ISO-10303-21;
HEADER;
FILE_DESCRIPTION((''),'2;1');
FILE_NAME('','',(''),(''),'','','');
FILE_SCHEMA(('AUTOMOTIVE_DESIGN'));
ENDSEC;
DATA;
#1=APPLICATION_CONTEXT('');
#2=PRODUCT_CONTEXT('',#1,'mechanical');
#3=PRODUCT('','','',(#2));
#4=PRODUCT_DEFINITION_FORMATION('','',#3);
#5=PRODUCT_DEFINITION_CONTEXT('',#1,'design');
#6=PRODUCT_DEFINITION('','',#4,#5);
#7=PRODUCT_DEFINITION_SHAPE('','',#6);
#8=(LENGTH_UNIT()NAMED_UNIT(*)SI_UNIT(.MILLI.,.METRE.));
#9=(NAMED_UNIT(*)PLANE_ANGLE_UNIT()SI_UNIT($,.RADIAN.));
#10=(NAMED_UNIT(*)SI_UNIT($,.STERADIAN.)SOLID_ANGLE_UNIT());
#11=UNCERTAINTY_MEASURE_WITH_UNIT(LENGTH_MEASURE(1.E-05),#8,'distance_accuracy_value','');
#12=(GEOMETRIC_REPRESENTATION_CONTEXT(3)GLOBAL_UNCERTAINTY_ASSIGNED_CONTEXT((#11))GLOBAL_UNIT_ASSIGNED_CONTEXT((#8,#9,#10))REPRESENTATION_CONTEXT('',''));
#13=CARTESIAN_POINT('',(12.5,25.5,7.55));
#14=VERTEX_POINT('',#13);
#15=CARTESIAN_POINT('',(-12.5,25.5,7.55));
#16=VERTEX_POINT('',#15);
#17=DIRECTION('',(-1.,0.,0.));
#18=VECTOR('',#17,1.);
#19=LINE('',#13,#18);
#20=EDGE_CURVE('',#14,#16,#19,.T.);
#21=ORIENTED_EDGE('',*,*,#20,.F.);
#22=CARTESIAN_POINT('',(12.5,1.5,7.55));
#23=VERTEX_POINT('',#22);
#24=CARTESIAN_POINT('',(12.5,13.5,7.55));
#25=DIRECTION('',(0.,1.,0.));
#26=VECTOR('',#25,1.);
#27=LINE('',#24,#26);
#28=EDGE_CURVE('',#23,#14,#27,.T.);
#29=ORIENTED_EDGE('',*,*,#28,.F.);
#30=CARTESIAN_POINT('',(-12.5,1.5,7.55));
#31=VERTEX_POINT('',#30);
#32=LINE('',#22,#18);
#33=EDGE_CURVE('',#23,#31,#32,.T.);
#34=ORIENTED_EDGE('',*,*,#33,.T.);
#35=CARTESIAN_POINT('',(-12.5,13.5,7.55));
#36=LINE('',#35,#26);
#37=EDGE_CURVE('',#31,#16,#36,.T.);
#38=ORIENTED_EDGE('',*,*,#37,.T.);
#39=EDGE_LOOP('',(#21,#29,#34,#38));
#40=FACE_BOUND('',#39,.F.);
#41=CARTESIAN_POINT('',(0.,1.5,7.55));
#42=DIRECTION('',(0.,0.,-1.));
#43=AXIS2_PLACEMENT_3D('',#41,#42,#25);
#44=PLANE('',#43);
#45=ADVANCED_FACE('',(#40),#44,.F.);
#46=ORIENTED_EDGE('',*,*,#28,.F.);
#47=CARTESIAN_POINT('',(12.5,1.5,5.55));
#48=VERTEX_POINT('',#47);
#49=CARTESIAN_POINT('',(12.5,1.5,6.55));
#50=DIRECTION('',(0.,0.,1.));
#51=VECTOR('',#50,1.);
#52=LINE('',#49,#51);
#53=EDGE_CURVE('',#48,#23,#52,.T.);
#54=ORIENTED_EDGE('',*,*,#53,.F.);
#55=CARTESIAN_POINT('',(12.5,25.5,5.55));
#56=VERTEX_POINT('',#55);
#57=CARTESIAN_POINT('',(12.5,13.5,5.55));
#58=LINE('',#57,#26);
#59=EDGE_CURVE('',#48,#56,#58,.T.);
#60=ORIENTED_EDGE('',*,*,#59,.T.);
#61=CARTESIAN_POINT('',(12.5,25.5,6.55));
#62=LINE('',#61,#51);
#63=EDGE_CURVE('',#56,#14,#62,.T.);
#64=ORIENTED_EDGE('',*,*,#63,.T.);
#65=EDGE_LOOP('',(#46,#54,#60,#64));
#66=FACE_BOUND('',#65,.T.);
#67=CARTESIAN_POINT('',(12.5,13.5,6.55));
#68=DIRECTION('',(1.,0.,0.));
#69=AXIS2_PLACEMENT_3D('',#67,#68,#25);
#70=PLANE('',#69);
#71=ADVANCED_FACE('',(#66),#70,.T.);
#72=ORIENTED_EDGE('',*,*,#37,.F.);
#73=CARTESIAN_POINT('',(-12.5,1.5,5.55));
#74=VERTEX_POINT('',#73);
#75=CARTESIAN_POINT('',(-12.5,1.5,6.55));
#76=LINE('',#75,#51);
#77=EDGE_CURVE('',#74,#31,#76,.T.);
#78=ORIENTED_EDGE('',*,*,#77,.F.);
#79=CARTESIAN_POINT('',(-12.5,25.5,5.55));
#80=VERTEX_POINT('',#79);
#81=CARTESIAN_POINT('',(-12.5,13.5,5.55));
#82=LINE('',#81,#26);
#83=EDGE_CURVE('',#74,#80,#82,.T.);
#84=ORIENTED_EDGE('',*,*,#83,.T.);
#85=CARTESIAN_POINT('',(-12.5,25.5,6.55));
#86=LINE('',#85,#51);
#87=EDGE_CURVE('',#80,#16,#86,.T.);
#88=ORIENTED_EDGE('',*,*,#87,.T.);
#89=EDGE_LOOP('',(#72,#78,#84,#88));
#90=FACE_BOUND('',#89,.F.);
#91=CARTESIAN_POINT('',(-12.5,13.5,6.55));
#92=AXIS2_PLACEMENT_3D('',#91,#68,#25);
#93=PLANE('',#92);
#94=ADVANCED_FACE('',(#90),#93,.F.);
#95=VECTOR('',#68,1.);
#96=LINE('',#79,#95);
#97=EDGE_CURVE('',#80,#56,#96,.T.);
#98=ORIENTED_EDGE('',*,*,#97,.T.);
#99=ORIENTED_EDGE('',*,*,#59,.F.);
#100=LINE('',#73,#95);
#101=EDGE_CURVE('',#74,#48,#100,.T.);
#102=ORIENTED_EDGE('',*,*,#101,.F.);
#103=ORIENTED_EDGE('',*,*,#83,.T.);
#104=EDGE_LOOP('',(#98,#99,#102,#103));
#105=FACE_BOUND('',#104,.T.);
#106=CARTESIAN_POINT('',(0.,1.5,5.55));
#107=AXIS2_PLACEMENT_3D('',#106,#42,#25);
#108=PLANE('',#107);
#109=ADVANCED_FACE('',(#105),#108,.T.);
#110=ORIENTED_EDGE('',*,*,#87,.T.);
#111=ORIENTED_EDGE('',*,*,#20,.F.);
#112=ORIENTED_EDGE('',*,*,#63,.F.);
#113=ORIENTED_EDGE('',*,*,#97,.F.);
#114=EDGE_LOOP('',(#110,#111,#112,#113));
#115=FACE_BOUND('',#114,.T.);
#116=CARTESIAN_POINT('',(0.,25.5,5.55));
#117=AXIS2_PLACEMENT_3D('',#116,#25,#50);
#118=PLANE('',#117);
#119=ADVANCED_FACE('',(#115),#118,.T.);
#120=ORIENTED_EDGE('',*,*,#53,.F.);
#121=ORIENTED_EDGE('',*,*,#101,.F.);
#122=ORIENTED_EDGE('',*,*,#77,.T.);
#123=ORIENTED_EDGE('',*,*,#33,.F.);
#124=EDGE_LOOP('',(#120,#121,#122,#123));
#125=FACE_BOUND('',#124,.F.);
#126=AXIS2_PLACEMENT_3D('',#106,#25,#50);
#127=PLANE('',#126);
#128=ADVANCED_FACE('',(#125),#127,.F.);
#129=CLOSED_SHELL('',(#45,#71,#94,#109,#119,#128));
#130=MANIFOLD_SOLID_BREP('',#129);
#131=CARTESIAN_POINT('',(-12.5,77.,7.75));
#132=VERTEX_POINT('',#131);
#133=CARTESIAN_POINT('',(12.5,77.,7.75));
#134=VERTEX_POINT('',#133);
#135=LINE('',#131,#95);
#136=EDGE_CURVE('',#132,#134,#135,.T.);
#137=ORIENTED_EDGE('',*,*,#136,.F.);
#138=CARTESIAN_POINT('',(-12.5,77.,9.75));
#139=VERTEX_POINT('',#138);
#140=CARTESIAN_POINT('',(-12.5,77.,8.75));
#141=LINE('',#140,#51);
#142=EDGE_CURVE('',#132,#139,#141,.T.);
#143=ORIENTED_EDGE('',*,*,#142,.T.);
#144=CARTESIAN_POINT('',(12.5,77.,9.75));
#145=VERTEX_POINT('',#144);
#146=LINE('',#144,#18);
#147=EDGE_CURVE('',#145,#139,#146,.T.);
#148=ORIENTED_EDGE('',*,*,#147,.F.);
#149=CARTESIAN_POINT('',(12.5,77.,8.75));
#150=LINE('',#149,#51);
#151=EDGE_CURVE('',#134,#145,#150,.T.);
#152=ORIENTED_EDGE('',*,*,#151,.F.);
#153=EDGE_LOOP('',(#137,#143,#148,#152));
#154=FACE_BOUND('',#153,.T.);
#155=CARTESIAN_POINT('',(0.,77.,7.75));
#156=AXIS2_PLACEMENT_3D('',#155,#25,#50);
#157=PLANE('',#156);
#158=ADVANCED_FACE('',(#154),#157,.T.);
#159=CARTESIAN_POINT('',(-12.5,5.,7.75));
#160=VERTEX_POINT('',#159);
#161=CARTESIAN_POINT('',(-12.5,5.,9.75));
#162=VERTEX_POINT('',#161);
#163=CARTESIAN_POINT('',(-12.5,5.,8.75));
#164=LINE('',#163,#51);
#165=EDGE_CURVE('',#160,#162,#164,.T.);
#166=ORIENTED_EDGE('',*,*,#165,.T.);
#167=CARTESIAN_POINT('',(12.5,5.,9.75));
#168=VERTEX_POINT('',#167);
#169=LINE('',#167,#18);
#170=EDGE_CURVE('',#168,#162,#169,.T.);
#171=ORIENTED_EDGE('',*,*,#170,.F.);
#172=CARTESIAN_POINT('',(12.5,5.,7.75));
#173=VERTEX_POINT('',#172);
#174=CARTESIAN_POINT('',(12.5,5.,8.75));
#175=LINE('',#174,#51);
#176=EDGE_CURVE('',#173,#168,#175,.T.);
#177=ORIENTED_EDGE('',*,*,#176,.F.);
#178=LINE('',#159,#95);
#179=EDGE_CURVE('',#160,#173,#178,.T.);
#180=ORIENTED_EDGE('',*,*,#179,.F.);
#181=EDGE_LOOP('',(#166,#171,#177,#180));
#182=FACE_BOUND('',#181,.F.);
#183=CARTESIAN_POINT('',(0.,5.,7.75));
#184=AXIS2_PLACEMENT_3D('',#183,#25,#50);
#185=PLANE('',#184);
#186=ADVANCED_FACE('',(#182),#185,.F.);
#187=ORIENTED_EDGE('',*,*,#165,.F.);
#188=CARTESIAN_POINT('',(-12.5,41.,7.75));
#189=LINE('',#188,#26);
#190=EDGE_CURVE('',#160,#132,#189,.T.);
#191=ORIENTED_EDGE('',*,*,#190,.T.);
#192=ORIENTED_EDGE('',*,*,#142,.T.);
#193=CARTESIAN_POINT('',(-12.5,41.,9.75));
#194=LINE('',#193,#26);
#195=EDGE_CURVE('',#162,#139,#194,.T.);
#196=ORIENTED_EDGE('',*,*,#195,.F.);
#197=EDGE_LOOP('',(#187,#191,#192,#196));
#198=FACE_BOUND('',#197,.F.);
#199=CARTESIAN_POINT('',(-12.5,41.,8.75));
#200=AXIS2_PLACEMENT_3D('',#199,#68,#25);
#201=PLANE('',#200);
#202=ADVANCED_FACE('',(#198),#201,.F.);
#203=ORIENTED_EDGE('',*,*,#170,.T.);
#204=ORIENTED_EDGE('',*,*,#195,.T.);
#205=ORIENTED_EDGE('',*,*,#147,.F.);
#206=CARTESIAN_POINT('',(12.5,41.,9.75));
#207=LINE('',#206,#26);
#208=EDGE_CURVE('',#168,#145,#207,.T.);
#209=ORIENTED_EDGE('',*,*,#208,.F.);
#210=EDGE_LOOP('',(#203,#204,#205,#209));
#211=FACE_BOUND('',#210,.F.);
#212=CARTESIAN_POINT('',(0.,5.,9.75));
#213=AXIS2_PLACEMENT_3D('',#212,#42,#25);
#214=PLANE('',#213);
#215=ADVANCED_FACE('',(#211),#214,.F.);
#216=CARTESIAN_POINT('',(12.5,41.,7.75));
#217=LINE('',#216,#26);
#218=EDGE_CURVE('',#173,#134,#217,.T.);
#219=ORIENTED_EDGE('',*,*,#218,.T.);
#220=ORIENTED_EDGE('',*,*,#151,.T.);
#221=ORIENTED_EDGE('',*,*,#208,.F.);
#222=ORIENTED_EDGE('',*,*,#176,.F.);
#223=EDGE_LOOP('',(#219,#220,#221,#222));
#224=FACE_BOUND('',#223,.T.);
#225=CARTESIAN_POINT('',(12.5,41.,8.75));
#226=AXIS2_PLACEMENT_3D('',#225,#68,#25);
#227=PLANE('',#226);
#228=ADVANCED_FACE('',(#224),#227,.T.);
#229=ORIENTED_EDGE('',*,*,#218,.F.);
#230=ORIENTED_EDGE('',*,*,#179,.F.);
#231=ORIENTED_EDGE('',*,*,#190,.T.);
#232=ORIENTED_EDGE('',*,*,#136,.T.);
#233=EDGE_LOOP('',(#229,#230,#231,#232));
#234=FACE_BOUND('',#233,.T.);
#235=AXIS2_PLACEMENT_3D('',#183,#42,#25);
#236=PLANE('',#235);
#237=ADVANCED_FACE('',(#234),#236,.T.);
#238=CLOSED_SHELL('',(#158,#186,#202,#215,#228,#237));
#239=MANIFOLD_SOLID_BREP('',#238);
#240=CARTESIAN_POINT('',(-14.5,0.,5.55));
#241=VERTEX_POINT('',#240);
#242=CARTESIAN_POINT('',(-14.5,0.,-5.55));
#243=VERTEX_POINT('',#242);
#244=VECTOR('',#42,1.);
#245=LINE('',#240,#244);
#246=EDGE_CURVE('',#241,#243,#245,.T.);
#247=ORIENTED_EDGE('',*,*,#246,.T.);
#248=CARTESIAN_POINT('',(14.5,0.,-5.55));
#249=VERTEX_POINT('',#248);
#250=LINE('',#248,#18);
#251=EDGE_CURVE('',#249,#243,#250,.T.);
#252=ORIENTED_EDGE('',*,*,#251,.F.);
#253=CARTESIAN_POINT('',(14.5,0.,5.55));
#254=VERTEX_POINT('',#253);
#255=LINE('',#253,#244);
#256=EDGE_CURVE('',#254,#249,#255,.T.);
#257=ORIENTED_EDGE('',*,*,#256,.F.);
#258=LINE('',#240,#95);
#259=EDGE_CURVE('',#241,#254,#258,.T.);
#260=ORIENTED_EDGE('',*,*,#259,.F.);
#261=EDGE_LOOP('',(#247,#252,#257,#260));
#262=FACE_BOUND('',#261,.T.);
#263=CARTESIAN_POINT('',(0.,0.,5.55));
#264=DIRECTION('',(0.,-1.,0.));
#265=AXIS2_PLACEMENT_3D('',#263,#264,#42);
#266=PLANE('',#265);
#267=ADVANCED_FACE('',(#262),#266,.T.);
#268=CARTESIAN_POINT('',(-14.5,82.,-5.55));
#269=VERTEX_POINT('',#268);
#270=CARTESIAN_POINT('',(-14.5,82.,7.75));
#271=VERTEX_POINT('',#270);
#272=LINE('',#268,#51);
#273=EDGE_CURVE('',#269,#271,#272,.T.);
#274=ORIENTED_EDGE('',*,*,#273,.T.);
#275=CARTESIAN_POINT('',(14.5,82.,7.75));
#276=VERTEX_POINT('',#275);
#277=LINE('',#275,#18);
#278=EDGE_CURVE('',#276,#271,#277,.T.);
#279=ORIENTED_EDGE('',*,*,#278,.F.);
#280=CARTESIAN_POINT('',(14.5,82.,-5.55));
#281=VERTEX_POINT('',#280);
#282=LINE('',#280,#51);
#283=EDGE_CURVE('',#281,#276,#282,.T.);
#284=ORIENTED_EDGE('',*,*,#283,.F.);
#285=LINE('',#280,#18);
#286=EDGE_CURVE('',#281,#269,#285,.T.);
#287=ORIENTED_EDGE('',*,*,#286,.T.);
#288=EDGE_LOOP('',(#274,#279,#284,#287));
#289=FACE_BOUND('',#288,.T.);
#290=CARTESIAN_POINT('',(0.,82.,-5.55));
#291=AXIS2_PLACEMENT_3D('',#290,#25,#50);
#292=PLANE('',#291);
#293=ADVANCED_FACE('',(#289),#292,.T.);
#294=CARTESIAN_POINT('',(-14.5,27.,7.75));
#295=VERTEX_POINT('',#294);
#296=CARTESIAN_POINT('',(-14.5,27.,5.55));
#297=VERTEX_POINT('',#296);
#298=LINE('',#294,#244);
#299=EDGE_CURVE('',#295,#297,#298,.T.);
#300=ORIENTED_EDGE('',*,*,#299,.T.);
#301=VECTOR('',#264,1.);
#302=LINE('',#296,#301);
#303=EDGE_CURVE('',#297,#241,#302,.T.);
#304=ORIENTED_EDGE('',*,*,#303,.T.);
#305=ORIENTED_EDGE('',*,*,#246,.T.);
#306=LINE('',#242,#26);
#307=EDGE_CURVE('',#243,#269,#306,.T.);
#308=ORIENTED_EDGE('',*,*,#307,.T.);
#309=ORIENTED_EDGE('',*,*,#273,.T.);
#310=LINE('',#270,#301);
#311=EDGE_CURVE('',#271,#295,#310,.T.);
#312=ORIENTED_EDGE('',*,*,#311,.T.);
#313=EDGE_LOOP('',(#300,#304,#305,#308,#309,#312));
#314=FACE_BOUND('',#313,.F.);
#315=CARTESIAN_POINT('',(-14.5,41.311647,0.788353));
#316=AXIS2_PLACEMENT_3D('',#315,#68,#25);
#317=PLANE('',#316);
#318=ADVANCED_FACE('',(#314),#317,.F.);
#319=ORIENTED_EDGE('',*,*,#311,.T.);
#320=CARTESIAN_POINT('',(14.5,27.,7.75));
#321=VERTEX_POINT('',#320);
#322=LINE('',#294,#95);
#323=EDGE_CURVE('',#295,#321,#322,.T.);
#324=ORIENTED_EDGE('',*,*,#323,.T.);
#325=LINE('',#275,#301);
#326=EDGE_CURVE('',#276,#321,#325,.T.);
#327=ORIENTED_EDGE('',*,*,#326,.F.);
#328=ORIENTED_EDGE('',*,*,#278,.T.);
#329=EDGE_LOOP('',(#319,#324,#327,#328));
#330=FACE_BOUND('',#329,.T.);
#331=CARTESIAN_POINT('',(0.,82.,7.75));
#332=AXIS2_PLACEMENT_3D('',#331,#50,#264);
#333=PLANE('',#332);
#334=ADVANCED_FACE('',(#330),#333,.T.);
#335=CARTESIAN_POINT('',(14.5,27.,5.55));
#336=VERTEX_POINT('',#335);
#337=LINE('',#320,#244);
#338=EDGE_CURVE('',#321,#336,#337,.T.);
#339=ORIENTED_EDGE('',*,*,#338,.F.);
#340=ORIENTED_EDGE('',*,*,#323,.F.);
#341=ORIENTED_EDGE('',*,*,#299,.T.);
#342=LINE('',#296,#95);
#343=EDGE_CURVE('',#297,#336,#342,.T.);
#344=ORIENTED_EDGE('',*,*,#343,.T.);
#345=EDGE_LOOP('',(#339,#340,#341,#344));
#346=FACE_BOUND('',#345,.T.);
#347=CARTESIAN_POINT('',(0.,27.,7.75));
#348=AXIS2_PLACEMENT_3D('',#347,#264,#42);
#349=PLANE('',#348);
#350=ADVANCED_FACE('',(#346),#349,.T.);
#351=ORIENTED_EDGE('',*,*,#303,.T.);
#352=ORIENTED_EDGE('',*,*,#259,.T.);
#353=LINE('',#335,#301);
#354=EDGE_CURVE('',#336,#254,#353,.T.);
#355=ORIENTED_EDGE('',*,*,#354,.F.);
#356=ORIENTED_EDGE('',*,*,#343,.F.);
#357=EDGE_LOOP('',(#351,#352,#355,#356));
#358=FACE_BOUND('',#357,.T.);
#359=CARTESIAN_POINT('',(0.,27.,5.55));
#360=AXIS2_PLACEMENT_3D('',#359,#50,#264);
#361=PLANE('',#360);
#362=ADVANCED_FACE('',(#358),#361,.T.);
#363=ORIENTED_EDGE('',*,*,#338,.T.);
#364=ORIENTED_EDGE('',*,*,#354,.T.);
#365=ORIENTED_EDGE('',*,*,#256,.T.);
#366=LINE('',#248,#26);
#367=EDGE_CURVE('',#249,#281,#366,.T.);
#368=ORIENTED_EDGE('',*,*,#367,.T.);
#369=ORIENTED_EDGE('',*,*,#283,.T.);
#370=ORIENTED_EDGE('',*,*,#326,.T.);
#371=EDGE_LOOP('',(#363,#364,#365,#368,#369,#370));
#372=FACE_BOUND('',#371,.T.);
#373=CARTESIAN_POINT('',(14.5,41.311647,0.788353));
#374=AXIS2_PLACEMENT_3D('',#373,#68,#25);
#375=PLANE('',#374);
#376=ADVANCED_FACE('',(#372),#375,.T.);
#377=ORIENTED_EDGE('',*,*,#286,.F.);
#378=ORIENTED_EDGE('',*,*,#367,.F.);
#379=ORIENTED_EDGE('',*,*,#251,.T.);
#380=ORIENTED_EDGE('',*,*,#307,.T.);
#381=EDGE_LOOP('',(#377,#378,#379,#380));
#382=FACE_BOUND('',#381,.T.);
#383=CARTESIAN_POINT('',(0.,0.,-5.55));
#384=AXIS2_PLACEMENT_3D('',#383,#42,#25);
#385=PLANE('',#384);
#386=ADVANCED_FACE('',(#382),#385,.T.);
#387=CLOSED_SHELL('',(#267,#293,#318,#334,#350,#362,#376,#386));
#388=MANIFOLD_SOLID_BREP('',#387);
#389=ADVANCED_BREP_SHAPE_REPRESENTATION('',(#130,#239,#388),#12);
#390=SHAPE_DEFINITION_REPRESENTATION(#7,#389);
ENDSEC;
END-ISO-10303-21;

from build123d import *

# Parameters (mm, degrees)
F3_DEPTH = 14.5
F2_W     = 24
F2_H     = 2
F4_DEPTH = 12.5
F2_W_2   = 72
F5_DEPTH = 12.5


with BuildPart() as f3:
    # F1 (on Right) → F3 (new body, symmetric)
    with BuildSketch(Plane.YZ):
        Polygon((82, 7.75), (27, 7.75), (27, 5.55), (0, 5.55), (0, -5.55), (82, -5.55), align=None)
    extrude(amount=F3_DEPTH, both=True)


with BuildPart() as f4:
    # F2 (on Right) → F4 (new body, symmetric)
    with BuildSketch(Plane.YZ):
        with Locations((13.5, 6.55)):
            Rectangle(F2_W, F2_H)
    extrude(amount=F4_DEPTH, both=True)


with BuildPart() as f5:
    # F2 (on Right) → F5 (new body, symmetric)
    with BuildSketch(Plane.YZ):
        with Locations((41, 8.75)):
            Rectangle(F2_W_2, F2_H)
    extrude(amount=F5_DEPTH, both=True)


solid = Compound([f3.part, f4.part, f5.part])
